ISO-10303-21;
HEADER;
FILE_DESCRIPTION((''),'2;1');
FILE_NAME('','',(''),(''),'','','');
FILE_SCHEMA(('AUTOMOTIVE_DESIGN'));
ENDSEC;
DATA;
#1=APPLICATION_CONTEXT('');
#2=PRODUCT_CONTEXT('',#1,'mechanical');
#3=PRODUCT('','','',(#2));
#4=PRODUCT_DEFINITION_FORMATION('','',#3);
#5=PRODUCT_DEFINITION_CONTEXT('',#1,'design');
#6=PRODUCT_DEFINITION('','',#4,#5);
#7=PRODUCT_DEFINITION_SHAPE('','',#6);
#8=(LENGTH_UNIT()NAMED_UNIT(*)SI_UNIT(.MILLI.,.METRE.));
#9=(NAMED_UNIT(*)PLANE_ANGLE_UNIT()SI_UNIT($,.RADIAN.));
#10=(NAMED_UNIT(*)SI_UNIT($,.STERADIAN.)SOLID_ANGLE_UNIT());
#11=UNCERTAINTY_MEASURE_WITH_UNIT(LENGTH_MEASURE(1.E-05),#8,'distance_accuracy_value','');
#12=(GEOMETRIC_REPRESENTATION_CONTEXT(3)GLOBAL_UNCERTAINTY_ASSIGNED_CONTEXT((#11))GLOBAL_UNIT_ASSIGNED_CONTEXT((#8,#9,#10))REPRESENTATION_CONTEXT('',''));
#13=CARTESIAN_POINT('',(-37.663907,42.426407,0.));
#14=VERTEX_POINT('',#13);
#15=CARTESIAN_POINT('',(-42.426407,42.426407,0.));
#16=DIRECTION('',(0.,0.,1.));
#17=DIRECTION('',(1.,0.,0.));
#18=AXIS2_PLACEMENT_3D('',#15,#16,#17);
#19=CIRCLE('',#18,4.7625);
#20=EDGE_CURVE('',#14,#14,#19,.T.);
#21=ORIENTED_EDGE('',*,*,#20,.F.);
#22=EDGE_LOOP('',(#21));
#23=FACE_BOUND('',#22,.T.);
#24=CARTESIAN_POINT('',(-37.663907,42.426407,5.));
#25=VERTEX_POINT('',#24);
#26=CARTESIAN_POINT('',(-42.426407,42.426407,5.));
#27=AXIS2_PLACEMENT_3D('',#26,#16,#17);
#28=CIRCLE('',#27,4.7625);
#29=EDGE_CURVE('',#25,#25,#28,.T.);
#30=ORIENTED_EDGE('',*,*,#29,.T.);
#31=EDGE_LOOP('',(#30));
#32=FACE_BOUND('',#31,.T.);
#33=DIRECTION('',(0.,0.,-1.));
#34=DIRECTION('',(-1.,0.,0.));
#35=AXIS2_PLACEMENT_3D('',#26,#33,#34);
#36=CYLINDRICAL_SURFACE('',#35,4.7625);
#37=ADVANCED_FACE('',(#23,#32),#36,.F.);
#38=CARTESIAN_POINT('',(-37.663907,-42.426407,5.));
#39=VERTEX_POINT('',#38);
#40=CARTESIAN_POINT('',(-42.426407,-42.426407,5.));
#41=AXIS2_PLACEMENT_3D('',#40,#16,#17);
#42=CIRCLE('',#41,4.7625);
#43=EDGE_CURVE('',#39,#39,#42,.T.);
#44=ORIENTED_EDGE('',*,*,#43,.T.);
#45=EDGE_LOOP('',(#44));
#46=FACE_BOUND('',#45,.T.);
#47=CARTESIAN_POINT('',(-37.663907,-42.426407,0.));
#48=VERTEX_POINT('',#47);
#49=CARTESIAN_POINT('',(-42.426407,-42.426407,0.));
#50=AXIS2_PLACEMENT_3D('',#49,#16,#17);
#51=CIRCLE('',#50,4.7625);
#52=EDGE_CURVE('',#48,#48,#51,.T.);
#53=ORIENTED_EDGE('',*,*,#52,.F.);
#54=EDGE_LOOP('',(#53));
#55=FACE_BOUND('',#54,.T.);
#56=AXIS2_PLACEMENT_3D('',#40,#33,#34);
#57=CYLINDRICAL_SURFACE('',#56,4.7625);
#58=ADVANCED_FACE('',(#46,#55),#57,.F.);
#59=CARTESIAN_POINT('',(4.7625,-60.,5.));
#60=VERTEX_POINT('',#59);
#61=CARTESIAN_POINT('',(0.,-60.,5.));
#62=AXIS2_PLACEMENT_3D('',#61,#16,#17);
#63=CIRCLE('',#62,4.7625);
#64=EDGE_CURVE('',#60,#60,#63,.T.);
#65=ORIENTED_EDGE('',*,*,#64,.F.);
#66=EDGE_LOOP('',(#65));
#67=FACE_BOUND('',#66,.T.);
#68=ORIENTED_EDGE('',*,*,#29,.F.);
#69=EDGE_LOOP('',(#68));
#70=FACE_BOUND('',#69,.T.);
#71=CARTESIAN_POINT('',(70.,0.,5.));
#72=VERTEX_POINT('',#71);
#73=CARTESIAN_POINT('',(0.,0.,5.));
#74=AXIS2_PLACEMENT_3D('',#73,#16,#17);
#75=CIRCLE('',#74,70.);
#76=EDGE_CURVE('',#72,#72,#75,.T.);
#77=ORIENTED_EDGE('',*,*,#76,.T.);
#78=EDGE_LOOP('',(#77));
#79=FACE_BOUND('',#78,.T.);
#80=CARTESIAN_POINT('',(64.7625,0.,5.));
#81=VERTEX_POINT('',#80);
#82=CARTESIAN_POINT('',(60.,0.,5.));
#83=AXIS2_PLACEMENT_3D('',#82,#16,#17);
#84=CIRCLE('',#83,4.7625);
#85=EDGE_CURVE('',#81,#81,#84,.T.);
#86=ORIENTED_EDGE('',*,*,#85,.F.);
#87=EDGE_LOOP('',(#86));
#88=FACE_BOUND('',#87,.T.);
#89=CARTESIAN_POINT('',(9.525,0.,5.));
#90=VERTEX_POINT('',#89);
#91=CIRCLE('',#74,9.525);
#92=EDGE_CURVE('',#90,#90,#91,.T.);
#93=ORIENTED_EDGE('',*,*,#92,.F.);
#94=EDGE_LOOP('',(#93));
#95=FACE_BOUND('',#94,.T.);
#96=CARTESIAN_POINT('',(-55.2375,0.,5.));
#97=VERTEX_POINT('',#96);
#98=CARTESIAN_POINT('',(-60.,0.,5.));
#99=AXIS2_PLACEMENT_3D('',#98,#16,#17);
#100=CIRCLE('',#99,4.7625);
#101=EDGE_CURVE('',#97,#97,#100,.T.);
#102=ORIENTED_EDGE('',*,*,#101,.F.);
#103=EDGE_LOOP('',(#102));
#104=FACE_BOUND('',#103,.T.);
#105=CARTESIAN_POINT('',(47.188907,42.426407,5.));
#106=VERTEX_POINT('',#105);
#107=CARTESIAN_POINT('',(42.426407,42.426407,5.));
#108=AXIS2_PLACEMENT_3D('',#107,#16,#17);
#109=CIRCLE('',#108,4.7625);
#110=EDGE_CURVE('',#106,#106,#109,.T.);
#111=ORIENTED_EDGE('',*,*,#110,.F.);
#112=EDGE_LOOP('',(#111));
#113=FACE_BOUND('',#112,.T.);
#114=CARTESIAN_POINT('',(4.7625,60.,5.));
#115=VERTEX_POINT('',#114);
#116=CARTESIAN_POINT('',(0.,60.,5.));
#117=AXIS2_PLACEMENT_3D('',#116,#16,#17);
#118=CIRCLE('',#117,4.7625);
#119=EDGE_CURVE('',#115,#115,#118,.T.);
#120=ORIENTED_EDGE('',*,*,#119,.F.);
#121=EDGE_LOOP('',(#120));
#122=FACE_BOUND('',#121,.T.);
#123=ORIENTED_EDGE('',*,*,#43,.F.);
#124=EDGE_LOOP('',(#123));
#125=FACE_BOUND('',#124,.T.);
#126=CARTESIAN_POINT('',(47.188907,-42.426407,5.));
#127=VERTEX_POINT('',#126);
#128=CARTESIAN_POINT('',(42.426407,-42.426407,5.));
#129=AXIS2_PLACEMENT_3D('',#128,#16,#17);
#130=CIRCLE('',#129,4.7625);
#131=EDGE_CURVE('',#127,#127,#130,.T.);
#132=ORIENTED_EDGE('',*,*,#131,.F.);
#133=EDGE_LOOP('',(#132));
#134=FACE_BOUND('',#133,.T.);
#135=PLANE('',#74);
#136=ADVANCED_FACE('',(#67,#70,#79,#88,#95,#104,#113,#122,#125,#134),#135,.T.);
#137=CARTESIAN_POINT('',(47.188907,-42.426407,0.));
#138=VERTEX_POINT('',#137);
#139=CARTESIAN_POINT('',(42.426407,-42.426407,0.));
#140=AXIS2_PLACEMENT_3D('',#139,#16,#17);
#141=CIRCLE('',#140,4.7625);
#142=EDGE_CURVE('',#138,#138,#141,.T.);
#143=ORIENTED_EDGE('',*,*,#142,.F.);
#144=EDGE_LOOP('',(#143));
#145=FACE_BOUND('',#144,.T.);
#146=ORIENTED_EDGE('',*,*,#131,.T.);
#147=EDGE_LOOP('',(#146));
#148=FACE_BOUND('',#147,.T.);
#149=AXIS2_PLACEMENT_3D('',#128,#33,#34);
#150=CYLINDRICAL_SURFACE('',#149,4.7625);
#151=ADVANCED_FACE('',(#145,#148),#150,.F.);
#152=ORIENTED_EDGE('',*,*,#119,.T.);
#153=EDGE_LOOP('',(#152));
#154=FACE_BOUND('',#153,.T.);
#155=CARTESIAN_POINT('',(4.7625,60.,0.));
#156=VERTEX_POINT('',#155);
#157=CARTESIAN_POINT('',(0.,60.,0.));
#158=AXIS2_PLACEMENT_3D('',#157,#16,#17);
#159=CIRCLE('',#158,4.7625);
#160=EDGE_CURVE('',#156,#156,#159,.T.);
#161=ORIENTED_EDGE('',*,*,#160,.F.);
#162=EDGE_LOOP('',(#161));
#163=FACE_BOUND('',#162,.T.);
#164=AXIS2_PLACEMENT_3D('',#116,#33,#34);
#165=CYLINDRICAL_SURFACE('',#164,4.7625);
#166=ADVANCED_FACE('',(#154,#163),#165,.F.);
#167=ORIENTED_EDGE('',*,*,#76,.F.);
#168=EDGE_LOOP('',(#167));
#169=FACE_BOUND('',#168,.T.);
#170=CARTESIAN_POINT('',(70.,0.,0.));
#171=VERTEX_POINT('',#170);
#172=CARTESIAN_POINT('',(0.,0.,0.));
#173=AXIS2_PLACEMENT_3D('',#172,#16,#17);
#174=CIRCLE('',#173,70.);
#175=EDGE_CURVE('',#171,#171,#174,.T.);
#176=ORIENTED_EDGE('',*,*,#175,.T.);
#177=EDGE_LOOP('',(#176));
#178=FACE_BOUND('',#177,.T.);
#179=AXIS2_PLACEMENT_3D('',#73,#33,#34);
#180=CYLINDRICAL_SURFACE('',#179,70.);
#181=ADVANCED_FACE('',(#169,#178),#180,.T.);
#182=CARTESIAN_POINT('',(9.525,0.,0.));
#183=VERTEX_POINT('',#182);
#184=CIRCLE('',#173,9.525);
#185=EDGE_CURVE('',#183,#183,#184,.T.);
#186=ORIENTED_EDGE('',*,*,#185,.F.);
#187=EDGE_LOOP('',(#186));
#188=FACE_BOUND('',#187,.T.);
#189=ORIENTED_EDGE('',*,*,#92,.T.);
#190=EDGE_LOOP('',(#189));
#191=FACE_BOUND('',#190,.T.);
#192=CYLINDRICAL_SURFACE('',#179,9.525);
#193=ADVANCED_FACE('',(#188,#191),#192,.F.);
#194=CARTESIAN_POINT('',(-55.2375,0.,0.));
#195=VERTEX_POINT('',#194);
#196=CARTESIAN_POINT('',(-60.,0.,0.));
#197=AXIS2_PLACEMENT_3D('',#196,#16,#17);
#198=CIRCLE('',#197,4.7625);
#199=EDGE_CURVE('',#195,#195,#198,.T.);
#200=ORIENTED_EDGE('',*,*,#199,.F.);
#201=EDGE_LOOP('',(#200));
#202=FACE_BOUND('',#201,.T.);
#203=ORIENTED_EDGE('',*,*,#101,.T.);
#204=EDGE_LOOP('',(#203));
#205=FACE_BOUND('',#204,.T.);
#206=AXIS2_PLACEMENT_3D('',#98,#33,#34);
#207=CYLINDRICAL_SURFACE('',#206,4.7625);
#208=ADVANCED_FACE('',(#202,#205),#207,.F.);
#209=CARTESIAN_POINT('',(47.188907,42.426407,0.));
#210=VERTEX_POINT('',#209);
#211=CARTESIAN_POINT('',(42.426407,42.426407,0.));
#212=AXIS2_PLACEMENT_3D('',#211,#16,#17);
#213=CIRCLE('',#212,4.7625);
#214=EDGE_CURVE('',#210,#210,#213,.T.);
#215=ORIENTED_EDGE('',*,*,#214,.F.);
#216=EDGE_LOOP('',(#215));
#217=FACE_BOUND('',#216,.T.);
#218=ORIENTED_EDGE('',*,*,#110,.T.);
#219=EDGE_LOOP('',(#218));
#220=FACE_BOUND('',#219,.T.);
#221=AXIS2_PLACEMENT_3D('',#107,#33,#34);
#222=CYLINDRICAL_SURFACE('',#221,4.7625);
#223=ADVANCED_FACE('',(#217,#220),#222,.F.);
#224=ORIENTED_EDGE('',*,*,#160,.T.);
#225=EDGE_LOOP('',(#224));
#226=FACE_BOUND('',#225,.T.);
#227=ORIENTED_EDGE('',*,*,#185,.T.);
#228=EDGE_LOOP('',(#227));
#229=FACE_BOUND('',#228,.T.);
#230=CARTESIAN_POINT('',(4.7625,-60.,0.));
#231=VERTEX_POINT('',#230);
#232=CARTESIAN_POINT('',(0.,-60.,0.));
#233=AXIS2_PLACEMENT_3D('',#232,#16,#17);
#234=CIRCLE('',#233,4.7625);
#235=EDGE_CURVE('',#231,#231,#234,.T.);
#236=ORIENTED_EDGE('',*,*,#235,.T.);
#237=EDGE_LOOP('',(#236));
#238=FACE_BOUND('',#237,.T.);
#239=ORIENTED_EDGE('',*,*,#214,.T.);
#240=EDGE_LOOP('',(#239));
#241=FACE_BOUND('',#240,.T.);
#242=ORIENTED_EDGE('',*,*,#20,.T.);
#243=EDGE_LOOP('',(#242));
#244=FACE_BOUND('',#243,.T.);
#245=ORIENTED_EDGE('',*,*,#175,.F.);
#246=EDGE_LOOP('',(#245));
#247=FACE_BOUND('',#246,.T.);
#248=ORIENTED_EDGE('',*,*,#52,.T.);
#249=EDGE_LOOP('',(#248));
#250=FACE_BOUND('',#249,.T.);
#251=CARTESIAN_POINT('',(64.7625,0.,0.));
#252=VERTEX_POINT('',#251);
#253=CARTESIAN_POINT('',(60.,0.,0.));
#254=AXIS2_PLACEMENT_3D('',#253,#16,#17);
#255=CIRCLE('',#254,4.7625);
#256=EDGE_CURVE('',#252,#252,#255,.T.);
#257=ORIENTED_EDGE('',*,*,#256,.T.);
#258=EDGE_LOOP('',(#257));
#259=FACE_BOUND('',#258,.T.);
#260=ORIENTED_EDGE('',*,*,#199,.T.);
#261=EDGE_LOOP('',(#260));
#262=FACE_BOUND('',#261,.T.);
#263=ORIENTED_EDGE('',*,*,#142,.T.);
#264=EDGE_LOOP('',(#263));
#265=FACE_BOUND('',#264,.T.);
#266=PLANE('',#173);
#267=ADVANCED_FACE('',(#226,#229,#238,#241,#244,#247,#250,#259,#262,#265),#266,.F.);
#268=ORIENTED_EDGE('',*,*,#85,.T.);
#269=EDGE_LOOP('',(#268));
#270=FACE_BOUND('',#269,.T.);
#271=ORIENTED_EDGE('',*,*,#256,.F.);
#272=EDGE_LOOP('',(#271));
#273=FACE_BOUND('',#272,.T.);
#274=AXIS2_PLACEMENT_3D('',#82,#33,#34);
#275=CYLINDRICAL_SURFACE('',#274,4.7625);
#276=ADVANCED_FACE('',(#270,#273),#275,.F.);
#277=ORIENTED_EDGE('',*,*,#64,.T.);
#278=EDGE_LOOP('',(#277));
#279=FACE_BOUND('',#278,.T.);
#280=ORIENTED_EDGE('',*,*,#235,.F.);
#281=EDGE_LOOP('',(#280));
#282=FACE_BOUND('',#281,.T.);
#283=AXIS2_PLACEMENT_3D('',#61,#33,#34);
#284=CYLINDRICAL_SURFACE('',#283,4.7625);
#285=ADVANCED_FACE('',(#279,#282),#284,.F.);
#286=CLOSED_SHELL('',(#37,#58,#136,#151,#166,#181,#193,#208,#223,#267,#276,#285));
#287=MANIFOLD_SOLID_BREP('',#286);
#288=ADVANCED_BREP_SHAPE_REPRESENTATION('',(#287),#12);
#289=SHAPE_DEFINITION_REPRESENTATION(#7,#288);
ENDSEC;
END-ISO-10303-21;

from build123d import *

# Parameters (mm, degrees)
SKETCH1_R        = 70
SKETCH1_R_2      = 9.525
SKETCH1_R_3      = 4.7625
ROTOR_DISC_DEPTH = 5


with BuildPart() as part:
    # Sketch1 → Rotor Disc (new body)
    with BuildSketch(Plane.XY):
        Circle(SKETCH1_R)
        Circle(SKETCH1_R_2, mode=Mode.SUBTRACT)
        with Locations((0, 60)):
            Circle(SKETCH1_R_3, mode=Mode.SUBTRACT)
        with Locations((42.426406871, 42.426406871)):
            Circle(SKETCH1_R_3, mode=Mode.SUBTRACT)
        with Locations((60, 0)):
            Circle(SKETCH1_R_3, mode=Mode.SUBTRACT)
        with Locations((42.426406871, -42.426406871)):
            Circle(SKETCH1_R_3, mode=Mode.SUBTRACT)
        with Locations((0, -60)):
            Circle(SKETCH1_R_3, mode=Mode.SUBTRACT)
        with Locations((-42.426406871, -42.426406871)):
            Circle(SKETCH1_R_3, mode=Mode.SUBTRACT)
        with Locations((-60, 0)):
            Circle(SKETCH1_R_3, mode=Mode.SUBTRACT)
        with Locations((-42.426406871, 42.426406871)):
            Circle(SKETCH1_R_3, mode=Mode.SUBTRACT)
    extrude(amount=ROTOR_DISC_DEPTH)


solid = part.part
